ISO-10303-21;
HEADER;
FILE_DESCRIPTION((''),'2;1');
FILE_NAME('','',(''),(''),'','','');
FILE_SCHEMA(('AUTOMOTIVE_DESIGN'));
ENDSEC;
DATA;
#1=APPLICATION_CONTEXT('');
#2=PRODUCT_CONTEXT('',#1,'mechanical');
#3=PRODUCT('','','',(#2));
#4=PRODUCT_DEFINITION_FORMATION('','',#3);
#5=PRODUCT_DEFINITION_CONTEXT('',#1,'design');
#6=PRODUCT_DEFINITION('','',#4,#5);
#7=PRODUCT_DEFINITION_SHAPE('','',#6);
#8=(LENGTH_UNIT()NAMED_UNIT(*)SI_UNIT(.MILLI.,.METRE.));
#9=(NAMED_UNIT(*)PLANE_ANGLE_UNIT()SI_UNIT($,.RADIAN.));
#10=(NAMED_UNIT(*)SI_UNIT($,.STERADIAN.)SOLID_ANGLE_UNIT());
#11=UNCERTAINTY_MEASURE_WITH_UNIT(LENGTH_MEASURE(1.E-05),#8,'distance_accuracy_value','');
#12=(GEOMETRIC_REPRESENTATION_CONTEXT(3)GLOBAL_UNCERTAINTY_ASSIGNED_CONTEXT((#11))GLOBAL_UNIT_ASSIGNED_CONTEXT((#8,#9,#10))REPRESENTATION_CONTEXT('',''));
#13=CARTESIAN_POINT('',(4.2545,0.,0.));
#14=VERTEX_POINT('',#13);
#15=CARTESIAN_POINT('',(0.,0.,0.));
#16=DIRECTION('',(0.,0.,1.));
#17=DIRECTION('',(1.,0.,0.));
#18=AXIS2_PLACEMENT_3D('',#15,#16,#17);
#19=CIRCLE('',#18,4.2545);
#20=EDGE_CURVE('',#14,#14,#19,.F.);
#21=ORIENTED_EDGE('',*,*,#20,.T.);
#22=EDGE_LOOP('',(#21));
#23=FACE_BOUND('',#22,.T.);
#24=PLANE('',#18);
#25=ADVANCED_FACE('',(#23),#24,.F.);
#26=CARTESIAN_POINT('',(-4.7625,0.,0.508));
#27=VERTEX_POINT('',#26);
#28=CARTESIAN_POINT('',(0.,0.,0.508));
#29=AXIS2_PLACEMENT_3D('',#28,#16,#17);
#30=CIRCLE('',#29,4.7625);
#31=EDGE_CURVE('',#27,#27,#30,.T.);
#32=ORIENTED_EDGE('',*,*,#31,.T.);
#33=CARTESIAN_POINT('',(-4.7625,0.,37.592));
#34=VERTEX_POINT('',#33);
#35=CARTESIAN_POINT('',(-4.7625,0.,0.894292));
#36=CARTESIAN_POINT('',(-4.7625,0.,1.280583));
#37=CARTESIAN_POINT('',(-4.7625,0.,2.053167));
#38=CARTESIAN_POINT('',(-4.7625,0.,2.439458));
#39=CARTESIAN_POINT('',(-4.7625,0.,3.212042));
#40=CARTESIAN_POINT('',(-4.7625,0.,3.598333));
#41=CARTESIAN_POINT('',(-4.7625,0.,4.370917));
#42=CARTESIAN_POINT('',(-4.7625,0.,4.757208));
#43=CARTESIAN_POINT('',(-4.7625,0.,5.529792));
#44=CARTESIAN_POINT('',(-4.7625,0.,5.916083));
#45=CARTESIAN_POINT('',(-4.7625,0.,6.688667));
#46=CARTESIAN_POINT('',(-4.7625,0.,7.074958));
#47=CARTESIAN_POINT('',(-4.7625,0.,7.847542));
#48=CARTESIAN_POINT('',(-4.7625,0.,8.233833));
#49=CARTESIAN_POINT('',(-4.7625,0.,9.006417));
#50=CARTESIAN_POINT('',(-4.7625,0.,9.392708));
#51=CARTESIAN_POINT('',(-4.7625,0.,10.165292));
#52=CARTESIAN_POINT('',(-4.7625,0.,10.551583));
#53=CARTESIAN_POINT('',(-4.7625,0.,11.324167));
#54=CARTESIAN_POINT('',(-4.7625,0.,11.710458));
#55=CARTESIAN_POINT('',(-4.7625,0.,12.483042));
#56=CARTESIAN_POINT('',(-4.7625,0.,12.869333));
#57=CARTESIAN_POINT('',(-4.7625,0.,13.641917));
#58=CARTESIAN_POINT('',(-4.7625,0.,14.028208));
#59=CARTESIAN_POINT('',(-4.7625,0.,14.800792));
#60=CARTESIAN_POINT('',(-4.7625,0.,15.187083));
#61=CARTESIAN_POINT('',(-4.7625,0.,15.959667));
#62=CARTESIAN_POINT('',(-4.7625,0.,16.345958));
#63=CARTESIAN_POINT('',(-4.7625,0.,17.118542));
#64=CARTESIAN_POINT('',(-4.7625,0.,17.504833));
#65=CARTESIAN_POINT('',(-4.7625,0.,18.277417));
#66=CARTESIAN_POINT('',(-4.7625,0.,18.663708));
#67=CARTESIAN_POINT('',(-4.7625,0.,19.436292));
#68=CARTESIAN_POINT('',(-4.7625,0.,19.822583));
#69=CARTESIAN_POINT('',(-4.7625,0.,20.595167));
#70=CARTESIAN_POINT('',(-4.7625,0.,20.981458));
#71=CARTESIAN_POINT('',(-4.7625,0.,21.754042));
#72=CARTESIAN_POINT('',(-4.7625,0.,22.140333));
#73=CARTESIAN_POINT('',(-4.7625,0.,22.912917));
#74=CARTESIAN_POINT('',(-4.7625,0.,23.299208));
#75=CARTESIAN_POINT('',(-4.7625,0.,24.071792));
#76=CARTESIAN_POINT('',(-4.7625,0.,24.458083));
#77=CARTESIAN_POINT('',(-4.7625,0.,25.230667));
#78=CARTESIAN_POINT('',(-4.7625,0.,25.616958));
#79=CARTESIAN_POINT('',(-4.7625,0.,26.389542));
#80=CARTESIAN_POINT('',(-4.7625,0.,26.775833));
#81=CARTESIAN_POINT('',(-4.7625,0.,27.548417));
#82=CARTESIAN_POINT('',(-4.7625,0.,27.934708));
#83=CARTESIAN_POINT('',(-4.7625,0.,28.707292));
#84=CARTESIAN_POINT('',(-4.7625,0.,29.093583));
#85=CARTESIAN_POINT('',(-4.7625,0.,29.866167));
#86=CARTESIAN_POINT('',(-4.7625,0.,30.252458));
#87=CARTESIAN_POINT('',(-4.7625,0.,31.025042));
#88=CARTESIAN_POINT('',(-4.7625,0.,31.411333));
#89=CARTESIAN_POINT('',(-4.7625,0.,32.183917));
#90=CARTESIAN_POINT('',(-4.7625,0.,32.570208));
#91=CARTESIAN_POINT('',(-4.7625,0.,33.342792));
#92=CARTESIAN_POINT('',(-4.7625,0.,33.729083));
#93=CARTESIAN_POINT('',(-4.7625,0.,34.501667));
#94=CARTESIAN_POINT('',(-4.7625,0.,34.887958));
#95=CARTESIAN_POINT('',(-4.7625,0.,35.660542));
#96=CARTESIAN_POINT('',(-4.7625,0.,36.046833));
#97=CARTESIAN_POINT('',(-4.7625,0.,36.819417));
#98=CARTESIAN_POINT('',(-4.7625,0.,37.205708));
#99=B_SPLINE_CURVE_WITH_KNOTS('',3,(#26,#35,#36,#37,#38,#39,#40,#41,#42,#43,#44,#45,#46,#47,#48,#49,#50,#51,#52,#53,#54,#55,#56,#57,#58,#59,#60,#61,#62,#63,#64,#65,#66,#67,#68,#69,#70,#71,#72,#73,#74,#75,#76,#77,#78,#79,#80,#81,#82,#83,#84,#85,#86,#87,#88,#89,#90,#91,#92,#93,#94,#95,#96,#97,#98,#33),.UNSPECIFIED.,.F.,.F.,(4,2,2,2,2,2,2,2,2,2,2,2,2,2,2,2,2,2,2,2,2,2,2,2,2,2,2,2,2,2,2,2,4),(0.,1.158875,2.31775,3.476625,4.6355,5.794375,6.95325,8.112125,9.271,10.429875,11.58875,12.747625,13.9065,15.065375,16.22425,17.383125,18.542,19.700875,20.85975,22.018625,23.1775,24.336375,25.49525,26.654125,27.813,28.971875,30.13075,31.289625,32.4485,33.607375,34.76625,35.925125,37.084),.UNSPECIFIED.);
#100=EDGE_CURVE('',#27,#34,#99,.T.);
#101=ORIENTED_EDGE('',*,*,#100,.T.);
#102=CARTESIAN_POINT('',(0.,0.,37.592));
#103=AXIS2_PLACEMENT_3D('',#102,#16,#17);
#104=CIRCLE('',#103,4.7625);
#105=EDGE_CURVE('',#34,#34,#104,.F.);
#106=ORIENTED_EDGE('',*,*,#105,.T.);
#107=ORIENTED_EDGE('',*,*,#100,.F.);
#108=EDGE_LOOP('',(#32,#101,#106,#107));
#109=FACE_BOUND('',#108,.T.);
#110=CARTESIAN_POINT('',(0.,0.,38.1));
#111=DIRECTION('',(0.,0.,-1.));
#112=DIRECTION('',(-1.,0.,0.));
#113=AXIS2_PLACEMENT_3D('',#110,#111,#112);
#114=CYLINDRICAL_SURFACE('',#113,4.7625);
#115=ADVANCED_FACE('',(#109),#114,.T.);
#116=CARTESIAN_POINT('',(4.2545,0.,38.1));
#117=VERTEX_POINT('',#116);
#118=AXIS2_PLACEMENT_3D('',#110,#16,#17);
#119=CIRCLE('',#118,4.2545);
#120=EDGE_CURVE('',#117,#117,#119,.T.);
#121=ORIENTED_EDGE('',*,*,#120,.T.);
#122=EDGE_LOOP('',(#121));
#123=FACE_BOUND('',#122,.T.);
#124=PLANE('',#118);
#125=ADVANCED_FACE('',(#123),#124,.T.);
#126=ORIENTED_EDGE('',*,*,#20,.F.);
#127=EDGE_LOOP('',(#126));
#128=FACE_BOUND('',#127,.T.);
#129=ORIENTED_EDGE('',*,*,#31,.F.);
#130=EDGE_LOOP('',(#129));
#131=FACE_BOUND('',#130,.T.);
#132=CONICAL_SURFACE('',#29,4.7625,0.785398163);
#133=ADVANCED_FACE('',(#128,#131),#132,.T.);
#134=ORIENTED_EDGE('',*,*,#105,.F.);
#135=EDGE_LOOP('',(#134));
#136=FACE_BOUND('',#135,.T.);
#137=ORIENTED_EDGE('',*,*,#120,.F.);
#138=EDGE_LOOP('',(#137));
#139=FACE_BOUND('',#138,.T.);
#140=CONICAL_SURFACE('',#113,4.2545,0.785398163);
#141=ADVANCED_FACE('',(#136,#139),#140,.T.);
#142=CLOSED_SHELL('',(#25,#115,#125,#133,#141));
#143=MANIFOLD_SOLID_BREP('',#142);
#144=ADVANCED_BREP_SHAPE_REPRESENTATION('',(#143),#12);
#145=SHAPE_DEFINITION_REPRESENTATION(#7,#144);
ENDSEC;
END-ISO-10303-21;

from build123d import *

# Parameters (mm, degrees)
SKETCH1_R           = 4.7625
BOSS_EXTRUDE1_DEPTH = 38.1
CHAMFER1_SIZE       = 0.508


with BuildPart() as part:
    # Sketch1 → Boss-Extrude1 (new body)
    with BuildSketch(Plane.XY):
        with Locations(Location((0, 0, 0), (0, 0, 180))):
            Circle(SKETCH1_R)
    extrude(amount=BOSS_EXTRUDE1_DEPTH)

    # Chamfer1
    chamfer1_edges = [part.edges().sort_by_distance(p)[0] for p in [
        (4.7625, 0, 0),
        (4.7625, 0, 38.1),
    ]]
    chamfer(chamfer1_edges, length=CHAMFER1_SIZE)


solid = part.part
